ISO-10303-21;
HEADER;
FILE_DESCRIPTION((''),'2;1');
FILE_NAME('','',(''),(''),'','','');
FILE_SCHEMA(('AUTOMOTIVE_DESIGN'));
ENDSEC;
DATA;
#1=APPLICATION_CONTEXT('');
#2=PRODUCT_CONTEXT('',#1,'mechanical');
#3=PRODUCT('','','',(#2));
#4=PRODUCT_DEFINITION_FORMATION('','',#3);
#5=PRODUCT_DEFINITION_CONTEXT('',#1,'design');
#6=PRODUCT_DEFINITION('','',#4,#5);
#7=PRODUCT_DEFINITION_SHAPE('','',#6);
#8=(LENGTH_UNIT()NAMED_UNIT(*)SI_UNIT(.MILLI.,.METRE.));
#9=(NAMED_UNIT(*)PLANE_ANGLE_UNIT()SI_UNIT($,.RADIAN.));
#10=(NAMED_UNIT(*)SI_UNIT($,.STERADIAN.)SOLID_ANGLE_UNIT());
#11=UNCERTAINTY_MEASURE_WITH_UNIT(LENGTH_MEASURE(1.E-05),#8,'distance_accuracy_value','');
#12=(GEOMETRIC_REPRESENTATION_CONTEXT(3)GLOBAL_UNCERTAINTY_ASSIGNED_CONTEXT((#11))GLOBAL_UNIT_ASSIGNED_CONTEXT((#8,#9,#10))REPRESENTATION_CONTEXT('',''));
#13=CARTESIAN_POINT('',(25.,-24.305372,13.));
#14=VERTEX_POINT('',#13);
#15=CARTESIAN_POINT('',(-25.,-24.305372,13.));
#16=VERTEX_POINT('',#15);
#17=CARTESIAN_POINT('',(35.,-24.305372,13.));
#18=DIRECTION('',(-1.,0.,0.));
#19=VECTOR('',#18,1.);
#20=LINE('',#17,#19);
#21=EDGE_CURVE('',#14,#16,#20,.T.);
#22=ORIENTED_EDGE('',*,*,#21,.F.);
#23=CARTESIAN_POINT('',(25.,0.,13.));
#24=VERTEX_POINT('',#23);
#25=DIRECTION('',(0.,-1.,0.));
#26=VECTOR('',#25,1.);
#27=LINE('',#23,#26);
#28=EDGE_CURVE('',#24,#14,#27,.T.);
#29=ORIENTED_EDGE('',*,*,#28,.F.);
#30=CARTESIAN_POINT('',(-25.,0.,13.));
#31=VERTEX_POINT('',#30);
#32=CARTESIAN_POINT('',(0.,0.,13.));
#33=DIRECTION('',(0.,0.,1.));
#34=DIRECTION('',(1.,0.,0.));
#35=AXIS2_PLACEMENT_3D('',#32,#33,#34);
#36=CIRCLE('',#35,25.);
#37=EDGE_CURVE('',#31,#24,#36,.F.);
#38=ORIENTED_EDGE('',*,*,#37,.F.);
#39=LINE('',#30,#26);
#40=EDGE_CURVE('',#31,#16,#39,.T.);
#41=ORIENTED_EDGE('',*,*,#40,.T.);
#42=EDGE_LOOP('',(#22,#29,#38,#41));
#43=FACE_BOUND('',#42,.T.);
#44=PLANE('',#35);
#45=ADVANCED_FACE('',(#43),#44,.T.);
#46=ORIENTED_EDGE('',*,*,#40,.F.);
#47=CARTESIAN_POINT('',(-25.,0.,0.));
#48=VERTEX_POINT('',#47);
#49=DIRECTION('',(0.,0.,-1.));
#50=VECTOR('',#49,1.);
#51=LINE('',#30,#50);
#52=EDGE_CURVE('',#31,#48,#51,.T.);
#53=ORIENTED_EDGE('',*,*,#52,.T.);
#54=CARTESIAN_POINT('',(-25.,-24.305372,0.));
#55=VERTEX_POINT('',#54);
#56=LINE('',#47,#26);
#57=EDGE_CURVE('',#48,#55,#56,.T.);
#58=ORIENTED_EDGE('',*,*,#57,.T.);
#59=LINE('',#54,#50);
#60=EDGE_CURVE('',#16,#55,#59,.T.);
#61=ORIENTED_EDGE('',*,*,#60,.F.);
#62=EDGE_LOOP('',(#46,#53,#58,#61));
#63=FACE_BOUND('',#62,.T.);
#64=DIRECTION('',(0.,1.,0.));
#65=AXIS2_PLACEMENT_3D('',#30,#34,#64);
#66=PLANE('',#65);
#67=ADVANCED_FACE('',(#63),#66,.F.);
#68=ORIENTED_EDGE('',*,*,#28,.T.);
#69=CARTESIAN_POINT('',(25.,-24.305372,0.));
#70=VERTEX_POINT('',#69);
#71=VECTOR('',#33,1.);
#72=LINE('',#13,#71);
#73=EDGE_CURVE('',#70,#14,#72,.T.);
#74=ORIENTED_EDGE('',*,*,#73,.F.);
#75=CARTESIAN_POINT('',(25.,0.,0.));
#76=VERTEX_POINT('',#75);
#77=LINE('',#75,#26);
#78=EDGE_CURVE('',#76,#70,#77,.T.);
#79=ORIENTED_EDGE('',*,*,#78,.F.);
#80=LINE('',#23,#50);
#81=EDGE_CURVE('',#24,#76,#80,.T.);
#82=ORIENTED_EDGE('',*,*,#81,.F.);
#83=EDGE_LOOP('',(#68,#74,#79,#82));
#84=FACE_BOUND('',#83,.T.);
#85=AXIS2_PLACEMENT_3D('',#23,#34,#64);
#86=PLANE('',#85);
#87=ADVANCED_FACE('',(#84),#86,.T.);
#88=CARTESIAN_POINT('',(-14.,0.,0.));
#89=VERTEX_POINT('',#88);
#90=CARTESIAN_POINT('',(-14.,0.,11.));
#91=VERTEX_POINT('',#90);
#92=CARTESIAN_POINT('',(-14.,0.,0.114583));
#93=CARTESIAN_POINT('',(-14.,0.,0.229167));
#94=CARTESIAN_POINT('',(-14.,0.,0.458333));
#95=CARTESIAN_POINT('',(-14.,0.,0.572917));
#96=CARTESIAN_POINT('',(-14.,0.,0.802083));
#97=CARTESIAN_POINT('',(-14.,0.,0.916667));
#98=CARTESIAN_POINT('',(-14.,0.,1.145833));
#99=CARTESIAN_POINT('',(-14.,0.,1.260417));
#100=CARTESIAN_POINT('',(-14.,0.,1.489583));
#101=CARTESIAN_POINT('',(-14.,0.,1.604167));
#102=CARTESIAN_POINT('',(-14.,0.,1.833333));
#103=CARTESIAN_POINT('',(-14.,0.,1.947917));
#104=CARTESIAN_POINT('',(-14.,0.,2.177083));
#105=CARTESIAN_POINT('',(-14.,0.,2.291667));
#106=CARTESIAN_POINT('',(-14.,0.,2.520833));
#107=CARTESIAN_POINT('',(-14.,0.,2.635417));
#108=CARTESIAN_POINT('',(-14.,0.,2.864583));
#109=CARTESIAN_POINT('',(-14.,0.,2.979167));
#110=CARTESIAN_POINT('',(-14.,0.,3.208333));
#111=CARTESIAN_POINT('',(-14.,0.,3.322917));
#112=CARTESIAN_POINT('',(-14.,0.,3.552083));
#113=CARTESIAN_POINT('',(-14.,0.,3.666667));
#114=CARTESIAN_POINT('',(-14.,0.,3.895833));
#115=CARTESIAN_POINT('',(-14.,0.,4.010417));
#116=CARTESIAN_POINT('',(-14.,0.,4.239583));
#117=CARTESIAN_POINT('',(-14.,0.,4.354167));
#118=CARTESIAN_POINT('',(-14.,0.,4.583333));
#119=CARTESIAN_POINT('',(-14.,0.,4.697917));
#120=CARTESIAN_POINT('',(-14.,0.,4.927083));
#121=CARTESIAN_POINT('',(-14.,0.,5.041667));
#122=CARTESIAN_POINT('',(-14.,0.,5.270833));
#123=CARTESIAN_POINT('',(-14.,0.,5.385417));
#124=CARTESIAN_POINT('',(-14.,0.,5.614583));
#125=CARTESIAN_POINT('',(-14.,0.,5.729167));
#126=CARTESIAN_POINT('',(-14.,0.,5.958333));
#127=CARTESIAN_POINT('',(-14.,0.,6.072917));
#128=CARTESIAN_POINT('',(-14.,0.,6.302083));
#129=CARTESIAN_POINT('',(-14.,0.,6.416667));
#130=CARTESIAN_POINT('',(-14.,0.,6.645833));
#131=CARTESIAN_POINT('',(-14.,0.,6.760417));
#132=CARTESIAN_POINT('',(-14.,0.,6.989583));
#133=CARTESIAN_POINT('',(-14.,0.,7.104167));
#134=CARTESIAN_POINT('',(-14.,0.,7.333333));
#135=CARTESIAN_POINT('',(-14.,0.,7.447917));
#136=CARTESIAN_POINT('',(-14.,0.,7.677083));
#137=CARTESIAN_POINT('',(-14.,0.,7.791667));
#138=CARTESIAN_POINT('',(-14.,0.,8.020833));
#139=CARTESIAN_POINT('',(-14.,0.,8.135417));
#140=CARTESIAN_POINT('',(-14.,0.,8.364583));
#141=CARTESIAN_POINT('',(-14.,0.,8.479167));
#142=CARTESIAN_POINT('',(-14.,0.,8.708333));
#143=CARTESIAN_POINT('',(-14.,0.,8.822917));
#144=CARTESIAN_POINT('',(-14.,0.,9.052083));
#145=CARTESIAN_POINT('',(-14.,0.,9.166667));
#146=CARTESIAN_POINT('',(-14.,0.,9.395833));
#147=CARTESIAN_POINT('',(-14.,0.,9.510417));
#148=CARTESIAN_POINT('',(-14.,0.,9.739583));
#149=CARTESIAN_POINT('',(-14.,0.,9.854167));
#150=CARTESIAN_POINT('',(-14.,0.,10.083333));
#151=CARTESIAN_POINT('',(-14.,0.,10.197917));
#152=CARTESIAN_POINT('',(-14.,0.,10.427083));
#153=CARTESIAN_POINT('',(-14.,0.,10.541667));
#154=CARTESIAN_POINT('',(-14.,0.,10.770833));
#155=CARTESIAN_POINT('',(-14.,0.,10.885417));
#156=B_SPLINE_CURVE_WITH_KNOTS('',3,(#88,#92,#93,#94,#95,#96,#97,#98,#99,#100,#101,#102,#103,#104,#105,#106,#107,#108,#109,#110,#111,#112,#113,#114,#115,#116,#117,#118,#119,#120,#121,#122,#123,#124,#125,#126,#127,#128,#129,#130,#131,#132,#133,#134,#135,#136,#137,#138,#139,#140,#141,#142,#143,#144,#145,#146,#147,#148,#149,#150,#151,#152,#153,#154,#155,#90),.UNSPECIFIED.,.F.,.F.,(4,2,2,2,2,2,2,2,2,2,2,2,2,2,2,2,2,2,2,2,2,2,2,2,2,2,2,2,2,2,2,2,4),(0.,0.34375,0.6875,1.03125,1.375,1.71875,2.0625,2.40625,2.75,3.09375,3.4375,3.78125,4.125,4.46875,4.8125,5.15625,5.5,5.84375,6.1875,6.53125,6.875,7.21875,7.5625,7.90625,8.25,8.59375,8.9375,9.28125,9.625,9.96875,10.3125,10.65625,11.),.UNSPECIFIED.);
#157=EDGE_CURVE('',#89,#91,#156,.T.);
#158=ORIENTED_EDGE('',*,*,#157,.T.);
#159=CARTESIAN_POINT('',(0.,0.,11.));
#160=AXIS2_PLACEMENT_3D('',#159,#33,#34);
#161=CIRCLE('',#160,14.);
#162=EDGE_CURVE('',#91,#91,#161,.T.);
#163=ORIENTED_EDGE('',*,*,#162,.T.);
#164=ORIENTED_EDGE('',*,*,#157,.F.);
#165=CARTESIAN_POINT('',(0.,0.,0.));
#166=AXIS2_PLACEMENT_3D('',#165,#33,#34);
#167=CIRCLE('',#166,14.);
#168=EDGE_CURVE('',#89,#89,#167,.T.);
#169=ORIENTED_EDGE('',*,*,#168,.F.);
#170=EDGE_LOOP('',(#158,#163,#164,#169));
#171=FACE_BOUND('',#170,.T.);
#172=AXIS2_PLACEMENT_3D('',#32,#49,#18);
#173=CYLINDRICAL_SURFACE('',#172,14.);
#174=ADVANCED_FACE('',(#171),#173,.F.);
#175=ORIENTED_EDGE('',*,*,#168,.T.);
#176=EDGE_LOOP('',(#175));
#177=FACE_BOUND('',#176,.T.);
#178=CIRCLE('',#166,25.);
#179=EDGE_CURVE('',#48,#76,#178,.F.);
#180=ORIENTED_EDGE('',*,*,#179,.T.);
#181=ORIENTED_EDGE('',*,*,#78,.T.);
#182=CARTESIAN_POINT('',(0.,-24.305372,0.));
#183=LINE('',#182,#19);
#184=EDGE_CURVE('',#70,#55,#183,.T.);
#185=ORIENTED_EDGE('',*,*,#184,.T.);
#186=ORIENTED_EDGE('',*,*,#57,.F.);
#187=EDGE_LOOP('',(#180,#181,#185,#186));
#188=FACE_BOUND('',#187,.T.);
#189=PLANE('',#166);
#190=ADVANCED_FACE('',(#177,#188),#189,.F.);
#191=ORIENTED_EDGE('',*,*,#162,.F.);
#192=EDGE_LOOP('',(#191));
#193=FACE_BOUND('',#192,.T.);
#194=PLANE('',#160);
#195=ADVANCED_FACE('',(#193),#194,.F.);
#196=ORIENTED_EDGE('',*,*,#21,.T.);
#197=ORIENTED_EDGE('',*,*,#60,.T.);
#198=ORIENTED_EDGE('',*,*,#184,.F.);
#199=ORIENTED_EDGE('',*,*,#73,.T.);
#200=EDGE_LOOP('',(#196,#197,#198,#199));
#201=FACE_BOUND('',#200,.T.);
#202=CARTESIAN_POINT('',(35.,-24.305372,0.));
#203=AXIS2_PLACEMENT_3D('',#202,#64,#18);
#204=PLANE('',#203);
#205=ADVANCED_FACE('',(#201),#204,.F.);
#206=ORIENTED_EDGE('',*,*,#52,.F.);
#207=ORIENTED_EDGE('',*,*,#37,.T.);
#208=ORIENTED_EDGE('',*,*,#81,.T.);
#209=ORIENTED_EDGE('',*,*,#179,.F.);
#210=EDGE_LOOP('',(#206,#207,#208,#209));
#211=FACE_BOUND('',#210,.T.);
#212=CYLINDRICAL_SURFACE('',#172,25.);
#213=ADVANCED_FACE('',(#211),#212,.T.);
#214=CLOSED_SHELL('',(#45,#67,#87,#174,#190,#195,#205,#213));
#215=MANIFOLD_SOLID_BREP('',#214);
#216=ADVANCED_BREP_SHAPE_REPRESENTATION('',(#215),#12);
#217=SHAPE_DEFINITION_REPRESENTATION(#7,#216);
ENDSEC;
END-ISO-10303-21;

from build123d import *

# Parameters (mm, degrees)
ESQUISSE1_R             = 14
BOSS_EXTRU_1_DEPTH      = 13
BOSS_EXTRU_2_START      = -2
ESQUISSE3_R             = 14
BOSS_EXTRU_2_DEPTH      = 2
ESQUISSE4_W             = 13
ESQUISSE4_H             = 10.015892944
ENL_V_MAT_EXTRU_1_DEPTH = 60


with BuildPart() as part:
    # Esquisse1 → Boss.-Extru.1 (new body)
    with BuildSketch(Plane.XY):
        with BuildLine():
            ThreePointArc((-25, 0), (0, 25), (25, 0))
            Line((25, 0), (25, -32.475372295))
            Line((25, -32.475372295), (-25, -32.475372295))
            Line((-25, -32.475372295), (-25, 0))
        make_face()
        with Locations(Location((0, 0, 0), (0, 0, 180))):
            Circle(ESQUISSE1_R, mode=Mode.SUBTRACT)
    extrude(amount=BOSS_EXTRU_1_DEPTH)

    # Esquisse3 → Boss.-Extru.2 (add)
    with BuildSketch(Plane.XY.offset(13).offset(BOSS_EXTRU_2_START)):
        with Locations(Location((0, 0, 0), (0, 0, 180))):
            Circle(ESQUISSE3_R)
    extrude(amount=BOSS_EXTRU_2_DEPTH)

    # Esquisse4 → Enlèv. mat.-Extru.1 (cut)
    with BuildSketch(Plane.ZY.offset(25)):
        with Locations((6.5, -29.313318767)):
            Rectangle(ESQUISSE4_W, ESQUISSE4_H)
    extrude(amount=-ENL_V_MAT_EXTRU_1_DEPTH, mode=Mode.SUBTRACT)


solid = part.part
